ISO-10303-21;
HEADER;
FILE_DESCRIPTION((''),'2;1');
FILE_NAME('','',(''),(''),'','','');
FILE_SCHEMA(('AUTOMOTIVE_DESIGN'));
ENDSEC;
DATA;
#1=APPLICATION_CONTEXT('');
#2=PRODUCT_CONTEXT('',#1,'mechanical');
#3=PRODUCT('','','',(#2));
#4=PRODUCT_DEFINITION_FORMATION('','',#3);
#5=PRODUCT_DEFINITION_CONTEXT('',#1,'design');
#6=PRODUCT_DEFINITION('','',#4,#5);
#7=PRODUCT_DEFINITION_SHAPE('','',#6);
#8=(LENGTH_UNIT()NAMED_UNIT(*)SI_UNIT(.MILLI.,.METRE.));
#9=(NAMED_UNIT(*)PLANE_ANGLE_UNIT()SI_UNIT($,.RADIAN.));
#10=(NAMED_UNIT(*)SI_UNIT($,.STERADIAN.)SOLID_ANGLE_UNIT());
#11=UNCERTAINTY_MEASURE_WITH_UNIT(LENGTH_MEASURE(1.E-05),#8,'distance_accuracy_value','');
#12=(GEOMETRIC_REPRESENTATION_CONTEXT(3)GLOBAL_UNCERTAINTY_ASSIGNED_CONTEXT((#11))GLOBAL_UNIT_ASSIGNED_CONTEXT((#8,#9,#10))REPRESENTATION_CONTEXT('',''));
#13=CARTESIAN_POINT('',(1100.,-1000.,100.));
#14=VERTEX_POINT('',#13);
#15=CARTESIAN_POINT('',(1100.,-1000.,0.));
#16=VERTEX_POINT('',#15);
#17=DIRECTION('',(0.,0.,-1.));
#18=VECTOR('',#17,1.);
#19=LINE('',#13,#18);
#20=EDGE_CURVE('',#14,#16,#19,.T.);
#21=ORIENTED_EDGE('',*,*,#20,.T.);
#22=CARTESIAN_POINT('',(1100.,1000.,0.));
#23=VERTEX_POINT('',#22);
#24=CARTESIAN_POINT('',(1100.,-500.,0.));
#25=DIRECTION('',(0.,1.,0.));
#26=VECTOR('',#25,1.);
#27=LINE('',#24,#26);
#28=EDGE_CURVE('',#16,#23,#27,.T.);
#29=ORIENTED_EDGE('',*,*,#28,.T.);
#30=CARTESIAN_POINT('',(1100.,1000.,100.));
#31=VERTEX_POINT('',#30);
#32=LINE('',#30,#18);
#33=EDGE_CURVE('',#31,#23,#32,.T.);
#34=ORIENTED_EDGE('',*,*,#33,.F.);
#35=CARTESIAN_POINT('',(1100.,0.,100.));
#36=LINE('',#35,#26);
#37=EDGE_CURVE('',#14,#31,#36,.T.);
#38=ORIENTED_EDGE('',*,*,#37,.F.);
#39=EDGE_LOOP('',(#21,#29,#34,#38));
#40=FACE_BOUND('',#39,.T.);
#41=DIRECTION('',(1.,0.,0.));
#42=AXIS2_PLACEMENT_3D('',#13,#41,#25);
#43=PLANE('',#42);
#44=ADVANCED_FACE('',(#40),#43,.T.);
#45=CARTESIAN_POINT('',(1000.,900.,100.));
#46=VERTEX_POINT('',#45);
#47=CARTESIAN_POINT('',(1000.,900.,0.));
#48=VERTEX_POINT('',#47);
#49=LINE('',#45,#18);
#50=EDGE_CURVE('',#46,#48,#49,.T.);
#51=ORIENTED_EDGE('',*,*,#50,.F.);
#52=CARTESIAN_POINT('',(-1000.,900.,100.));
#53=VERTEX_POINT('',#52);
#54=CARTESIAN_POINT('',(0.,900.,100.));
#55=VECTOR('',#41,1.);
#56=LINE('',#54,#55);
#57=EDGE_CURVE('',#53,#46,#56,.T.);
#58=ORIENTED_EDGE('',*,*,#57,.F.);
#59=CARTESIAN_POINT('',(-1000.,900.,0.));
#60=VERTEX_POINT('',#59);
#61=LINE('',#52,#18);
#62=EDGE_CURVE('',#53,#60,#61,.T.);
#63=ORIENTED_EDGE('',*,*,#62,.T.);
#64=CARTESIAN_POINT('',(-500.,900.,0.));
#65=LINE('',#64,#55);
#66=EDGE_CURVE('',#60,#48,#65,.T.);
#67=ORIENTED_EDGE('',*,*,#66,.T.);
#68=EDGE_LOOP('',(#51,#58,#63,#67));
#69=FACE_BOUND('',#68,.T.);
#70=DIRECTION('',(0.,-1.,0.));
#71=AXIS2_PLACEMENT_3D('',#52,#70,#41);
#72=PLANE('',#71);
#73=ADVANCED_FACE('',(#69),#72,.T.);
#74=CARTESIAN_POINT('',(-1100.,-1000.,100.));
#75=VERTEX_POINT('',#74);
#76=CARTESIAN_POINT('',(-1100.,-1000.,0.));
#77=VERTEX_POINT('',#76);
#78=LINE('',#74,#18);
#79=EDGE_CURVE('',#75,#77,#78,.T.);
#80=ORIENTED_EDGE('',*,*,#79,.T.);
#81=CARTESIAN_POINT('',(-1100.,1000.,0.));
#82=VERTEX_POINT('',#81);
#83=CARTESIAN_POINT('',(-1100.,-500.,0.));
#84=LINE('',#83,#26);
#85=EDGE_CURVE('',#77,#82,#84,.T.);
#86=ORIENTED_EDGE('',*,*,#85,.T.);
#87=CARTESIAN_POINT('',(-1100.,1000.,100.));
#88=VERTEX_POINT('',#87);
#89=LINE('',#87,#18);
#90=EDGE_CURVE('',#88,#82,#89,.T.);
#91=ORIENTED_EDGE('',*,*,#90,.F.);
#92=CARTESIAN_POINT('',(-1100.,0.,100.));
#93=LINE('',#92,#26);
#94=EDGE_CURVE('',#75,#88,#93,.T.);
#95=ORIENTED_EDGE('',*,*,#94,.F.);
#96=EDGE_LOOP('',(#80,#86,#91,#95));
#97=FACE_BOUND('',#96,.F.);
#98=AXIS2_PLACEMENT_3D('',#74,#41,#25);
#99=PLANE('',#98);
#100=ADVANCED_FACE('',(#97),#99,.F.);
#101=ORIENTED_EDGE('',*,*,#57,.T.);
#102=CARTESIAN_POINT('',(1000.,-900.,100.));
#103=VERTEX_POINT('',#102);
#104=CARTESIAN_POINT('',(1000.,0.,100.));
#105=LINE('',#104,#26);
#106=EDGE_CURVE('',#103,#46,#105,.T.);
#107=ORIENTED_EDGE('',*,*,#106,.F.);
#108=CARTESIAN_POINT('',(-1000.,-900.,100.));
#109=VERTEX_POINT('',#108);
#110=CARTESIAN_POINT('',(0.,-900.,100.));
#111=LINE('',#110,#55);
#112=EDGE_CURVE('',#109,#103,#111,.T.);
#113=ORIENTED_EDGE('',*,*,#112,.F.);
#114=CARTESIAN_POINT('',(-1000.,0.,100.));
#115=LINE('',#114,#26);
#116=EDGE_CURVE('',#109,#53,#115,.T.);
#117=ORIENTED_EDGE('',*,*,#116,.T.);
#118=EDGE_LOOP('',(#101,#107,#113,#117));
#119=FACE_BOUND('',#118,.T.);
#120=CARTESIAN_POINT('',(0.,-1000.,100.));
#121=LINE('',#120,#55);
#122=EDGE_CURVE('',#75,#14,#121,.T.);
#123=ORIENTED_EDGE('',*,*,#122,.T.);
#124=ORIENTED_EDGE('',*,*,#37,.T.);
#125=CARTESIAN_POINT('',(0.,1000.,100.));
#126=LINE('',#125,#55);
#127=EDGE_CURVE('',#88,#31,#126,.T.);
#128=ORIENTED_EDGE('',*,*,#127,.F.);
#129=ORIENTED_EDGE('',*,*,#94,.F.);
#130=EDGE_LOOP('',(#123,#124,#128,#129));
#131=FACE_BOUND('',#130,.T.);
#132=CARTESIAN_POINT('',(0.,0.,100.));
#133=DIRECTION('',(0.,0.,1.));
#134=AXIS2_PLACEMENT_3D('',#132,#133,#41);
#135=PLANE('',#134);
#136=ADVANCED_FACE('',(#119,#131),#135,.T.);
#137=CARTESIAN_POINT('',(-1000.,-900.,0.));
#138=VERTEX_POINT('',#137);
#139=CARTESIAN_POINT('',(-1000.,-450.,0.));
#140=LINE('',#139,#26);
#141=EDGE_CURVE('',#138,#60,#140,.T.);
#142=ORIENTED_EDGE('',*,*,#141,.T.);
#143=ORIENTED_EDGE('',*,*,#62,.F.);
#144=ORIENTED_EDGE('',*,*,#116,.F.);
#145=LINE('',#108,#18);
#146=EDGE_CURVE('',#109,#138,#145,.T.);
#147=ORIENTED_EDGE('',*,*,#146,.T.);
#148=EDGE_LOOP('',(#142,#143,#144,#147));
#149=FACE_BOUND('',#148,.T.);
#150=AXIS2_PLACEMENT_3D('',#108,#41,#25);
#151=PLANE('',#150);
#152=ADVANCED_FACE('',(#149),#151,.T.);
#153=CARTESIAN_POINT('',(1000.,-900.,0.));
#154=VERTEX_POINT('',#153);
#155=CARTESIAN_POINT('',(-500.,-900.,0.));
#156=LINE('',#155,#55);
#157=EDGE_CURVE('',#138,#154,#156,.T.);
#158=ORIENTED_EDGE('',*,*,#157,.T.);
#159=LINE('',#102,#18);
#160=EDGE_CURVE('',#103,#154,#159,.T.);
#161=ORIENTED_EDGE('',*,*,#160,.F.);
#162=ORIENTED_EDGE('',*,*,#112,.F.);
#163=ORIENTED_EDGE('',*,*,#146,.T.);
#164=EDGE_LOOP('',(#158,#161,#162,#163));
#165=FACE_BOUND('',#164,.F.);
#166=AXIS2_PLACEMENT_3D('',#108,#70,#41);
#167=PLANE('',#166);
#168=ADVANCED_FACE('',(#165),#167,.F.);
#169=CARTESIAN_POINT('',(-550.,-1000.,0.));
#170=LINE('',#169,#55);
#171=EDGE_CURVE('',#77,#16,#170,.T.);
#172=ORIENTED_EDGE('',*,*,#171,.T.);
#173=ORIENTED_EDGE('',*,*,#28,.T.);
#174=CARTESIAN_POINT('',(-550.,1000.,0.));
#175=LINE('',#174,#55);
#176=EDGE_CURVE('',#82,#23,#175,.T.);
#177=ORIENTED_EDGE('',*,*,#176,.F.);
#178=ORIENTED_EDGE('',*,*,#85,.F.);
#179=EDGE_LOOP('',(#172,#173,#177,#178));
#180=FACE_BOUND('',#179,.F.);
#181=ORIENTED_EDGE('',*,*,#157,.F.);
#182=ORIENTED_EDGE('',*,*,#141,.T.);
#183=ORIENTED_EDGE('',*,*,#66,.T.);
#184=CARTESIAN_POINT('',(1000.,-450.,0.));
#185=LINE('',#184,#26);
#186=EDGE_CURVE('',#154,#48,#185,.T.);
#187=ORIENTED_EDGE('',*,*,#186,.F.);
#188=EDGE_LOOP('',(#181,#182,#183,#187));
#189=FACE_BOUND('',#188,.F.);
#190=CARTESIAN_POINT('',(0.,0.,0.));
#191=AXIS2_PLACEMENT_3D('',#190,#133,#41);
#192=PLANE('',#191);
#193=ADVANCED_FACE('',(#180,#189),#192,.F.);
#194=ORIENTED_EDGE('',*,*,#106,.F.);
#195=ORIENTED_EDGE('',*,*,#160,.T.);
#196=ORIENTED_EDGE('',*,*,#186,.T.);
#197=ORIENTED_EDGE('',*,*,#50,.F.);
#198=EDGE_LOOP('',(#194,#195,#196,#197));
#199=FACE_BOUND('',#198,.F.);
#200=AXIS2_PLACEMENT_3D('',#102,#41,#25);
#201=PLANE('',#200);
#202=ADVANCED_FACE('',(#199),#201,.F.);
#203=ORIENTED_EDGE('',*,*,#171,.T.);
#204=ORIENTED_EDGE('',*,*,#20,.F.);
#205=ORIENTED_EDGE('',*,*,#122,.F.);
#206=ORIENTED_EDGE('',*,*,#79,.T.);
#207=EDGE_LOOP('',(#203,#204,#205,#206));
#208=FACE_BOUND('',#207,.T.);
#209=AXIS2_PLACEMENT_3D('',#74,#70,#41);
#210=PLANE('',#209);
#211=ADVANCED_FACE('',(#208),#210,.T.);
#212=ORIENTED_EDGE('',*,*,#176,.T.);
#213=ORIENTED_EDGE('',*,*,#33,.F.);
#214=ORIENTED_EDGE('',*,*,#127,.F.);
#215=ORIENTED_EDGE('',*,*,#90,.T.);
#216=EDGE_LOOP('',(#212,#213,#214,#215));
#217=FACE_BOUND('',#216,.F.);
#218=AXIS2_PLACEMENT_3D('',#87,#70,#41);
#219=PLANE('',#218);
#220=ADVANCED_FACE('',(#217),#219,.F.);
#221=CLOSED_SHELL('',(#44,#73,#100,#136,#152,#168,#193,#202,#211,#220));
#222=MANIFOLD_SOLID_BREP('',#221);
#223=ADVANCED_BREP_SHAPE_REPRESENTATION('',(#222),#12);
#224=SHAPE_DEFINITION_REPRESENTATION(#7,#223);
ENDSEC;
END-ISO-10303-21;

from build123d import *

# Parameters (mm, degrees)
F0_W     = 2400
F0_H     = 2200
F1_DEPTH = 100
F2_W     = 2400
F2_H     = 2200
F2_W_2   = 2200
F2_H_2   = 2000
F3_DEPTH = 100.001
F2_W_3   = 2000
F2_H_3   = 1800
F4_DEPTH = 100.001


with BuildPart() as f1:
    # F0 (on Top) → F1 (new body)
    with BuildSketch(Plane.XY):
        Rectangle(F0_W, F0_H)
    extrude(amount=F1_DEPTH)

    # F2 (on face) → F3 (cut, through all)
    with BuildSketch(Plane.XY.offset(100)):
        Rectangle(F2_W, F2_H)
        Rectangle(F2_W_2, F2_H_2, mode=Mode.SUBTRACT)
    extrude(amount=-F3_DEPTH, mode=Mode.SUBTRACT)

    # F2 (on face) → F4 (cut, through all)
    with BuildSketch(Plane.XY.offset(100)):
        Rectangle(F2_W_3, F2_H_3)
    extrude(amount=-F4_DEPTH, mode=Mode.SUBTRACT)


solid = f1.part
